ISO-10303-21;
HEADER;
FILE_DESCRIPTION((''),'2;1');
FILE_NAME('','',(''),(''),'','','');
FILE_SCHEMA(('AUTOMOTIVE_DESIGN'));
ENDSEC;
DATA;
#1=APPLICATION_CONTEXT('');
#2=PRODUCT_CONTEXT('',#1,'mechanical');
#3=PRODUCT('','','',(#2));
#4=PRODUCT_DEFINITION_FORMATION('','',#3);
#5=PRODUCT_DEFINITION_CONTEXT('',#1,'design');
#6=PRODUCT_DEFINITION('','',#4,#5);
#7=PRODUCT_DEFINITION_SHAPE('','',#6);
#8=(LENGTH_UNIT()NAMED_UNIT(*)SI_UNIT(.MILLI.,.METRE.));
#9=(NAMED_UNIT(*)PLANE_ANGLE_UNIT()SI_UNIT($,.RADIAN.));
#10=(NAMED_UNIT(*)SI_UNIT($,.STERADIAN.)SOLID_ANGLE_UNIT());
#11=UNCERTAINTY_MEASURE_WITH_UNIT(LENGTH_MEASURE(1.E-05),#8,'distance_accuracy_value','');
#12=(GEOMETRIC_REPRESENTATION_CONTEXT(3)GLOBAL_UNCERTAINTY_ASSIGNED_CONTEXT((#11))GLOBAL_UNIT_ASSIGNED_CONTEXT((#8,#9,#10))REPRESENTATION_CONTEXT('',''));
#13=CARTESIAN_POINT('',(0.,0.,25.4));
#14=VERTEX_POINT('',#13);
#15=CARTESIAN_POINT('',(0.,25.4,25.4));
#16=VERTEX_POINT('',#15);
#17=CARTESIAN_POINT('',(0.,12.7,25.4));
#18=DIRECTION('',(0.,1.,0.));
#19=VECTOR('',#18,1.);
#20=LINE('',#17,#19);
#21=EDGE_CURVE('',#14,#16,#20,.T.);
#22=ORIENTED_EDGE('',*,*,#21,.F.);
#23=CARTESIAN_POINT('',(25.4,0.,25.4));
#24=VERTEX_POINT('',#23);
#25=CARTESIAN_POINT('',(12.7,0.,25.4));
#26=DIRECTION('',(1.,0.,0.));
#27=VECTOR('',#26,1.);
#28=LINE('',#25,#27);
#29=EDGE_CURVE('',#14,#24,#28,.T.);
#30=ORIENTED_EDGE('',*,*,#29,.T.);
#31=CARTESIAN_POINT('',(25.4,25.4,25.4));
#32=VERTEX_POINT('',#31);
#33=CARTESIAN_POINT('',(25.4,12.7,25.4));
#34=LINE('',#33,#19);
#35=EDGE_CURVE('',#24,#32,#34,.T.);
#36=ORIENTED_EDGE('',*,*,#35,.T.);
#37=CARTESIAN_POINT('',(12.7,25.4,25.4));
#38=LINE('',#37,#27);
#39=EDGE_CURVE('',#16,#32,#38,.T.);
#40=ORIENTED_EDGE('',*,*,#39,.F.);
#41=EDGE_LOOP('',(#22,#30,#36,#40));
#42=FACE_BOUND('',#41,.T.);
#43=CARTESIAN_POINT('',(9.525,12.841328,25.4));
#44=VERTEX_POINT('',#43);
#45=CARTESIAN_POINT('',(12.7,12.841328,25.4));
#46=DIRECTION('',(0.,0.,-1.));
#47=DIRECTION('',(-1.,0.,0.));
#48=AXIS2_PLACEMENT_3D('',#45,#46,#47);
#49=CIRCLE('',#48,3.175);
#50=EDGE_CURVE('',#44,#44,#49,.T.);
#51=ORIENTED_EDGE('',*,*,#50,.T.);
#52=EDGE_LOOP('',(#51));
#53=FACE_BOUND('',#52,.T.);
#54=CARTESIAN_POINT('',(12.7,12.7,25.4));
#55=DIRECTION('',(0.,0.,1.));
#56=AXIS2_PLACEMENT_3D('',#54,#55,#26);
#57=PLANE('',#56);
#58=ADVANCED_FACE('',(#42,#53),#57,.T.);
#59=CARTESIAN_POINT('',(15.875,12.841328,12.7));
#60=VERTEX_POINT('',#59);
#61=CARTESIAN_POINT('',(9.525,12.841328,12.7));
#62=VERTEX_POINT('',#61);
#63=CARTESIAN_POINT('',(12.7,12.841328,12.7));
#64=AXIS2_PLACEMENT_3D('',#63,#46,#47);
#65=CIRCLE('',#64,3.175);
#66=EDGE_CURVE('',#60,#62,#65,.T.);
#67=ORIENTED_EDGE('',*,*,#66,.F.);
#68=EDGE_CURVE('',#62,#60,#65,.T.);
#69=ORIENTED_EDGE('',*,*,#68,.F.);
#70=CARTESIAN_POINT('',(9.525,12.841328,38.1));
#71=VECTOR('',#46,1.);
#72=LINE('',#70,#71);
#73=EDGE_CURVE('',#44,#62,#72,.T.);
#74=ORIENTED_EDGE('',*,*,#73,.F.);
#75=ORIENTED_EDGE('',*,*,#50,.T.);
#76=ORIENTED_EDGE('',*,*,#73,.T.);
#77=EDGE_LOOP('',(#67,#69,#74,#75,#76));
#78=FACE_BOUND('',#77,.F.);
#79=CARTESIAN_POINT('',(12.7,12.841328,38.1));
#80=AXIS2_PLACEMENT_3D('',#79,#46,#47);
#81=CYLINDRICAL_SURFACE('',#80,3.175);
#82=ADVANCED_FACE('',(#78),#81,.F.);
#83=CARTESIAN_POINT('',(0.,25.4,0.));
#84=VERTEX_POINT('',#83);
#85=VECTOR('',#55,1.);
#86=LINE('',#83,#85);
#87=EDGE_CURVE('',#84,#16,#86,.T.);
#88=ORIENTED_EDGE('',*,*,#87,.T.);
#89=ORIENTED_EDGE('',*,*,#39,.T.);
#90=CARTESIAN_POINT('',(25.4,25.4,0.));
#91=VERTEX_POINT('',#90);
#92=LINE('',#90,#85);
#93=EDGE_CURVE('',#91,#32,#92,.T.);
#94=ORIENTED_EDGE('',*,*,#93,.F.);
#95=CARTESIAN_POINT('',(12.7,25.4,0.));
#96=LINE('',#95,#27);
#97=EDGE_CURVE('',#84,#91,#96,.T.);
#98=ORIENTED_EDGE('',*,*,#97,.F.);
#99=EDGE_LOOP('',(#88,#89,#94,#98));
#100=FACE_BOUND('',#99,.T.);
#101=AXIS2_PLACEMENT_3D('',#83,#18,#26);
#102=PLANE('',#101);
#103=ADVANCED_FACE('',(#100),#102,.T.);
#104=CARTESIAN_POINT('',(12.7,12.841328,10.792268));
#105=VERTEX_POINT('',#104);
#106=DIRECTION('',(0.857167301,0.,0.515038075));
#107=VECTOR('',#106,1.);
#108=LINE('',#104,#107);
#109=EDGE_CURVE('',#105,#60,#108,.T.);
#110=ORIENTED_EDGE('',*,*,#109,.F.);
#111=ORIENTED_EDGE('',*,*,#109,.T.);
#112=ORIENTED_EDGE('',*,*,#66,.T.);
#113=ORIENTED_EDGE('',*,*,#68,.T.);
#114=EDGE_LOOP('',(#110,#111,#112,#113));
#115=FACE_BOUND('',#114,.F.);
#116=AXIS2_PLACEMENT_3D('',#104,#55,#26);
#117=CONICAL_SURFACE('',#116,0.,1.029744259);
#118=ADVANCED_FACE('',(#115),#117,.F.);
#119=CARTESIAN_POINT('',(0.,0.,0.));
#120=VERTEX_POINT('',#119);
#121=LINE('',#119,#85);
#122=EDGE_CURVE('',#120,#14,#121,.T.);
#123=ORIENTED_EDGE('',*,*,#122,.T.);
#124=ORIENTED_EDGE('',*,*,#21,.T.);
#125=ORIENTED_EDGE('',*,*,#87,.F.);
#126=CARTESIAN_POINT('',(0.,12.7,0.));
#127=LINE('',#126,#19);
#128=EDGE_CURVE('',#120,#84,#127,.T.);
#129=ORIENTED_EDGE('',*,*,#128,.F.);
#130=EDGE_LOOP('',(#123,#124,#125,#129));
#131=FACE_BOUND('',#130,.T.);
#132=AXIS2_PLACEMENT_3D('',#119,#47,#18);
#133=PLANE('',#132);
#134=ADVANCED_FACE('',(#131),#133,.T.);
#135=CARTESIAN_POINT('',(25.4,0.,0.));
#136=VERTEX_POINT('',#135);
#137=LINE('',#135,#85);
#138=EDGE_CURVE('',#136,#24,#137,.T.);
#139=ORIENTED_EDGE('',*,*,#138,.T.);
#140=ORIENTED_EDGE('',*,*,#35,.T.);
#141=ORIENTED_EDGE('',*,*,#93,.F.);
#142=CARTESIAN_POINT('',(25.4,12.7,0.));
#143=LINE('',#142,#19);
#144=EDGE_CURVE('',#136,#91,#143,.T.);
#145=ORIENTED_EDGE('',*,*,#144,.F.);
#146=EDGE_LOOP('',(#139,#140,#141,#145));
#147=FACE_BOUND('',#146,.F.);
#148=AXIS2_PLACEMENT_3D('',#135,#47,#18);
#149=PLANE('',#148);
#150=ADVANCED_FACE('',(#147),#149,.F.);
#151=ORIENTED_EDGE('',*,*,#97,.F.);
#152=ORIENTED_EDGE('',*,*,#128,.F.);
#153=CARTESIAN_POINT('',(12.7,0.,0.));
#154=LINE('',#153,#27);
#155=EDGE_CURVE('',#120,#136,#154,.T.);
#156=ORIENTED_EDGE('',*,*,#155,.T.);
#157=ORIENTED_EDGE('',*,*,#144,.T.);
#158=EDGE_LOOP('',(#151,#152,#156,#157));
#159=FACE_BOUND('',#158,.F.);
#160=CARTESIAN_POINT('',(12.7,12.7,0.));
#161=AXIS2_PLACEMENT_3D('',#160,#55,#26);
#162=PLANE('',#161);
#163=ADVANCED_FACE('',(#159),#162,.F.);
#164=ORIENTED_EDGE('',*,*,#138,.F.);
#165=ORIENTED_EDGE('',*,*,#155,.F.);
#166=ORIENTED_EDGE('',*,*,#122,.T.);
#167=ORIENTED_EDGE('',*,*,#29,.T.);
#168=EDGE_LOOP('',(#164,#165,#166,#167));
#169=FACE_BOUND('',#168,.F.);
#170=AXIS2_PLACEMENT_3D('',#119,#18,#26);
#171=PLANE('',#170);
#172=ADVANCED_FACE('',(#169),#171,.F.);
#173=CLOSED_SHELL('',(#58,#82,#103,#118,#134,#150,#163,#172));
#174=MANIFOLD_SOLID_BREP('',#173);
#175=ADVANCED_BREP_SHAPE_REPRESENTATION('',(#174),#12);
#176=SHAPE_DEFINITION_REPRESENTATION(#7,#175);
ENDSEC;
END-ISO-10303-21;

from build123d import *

# Parameters (mm, degrees)
F0_W     = 25.4
F0_H     = 25.4
F1_DEPTH = 25.4
F3_D     = 6.35
F3_DEPTH = 12.7
F3_TIP   = 1.9077324654


with BuildPart() as f1:
    # F0 (on Top) → F1 (new body)
    with BuildSketch(Plane.XY):
        with Locations((12.7, 12.7)):
            Rectangle(F0_W, F0_H)
    extrude(amount=F1_DEPTH)

    # F3
    with Locations(Plane.XY.offset(25.4)):
        with Locations((12.7, 12.8413280472)):
            Hole(F3_D / 2, depth=F3_DEPTH)
            with Locations((0, 0, -(F3_DEPTH + F3_TIP / 2))):  # 118° drill point
                Cone(0, F3_D / 2, F3_TIP, mode=Mode.SUBTRACT)


solid = f1.part
